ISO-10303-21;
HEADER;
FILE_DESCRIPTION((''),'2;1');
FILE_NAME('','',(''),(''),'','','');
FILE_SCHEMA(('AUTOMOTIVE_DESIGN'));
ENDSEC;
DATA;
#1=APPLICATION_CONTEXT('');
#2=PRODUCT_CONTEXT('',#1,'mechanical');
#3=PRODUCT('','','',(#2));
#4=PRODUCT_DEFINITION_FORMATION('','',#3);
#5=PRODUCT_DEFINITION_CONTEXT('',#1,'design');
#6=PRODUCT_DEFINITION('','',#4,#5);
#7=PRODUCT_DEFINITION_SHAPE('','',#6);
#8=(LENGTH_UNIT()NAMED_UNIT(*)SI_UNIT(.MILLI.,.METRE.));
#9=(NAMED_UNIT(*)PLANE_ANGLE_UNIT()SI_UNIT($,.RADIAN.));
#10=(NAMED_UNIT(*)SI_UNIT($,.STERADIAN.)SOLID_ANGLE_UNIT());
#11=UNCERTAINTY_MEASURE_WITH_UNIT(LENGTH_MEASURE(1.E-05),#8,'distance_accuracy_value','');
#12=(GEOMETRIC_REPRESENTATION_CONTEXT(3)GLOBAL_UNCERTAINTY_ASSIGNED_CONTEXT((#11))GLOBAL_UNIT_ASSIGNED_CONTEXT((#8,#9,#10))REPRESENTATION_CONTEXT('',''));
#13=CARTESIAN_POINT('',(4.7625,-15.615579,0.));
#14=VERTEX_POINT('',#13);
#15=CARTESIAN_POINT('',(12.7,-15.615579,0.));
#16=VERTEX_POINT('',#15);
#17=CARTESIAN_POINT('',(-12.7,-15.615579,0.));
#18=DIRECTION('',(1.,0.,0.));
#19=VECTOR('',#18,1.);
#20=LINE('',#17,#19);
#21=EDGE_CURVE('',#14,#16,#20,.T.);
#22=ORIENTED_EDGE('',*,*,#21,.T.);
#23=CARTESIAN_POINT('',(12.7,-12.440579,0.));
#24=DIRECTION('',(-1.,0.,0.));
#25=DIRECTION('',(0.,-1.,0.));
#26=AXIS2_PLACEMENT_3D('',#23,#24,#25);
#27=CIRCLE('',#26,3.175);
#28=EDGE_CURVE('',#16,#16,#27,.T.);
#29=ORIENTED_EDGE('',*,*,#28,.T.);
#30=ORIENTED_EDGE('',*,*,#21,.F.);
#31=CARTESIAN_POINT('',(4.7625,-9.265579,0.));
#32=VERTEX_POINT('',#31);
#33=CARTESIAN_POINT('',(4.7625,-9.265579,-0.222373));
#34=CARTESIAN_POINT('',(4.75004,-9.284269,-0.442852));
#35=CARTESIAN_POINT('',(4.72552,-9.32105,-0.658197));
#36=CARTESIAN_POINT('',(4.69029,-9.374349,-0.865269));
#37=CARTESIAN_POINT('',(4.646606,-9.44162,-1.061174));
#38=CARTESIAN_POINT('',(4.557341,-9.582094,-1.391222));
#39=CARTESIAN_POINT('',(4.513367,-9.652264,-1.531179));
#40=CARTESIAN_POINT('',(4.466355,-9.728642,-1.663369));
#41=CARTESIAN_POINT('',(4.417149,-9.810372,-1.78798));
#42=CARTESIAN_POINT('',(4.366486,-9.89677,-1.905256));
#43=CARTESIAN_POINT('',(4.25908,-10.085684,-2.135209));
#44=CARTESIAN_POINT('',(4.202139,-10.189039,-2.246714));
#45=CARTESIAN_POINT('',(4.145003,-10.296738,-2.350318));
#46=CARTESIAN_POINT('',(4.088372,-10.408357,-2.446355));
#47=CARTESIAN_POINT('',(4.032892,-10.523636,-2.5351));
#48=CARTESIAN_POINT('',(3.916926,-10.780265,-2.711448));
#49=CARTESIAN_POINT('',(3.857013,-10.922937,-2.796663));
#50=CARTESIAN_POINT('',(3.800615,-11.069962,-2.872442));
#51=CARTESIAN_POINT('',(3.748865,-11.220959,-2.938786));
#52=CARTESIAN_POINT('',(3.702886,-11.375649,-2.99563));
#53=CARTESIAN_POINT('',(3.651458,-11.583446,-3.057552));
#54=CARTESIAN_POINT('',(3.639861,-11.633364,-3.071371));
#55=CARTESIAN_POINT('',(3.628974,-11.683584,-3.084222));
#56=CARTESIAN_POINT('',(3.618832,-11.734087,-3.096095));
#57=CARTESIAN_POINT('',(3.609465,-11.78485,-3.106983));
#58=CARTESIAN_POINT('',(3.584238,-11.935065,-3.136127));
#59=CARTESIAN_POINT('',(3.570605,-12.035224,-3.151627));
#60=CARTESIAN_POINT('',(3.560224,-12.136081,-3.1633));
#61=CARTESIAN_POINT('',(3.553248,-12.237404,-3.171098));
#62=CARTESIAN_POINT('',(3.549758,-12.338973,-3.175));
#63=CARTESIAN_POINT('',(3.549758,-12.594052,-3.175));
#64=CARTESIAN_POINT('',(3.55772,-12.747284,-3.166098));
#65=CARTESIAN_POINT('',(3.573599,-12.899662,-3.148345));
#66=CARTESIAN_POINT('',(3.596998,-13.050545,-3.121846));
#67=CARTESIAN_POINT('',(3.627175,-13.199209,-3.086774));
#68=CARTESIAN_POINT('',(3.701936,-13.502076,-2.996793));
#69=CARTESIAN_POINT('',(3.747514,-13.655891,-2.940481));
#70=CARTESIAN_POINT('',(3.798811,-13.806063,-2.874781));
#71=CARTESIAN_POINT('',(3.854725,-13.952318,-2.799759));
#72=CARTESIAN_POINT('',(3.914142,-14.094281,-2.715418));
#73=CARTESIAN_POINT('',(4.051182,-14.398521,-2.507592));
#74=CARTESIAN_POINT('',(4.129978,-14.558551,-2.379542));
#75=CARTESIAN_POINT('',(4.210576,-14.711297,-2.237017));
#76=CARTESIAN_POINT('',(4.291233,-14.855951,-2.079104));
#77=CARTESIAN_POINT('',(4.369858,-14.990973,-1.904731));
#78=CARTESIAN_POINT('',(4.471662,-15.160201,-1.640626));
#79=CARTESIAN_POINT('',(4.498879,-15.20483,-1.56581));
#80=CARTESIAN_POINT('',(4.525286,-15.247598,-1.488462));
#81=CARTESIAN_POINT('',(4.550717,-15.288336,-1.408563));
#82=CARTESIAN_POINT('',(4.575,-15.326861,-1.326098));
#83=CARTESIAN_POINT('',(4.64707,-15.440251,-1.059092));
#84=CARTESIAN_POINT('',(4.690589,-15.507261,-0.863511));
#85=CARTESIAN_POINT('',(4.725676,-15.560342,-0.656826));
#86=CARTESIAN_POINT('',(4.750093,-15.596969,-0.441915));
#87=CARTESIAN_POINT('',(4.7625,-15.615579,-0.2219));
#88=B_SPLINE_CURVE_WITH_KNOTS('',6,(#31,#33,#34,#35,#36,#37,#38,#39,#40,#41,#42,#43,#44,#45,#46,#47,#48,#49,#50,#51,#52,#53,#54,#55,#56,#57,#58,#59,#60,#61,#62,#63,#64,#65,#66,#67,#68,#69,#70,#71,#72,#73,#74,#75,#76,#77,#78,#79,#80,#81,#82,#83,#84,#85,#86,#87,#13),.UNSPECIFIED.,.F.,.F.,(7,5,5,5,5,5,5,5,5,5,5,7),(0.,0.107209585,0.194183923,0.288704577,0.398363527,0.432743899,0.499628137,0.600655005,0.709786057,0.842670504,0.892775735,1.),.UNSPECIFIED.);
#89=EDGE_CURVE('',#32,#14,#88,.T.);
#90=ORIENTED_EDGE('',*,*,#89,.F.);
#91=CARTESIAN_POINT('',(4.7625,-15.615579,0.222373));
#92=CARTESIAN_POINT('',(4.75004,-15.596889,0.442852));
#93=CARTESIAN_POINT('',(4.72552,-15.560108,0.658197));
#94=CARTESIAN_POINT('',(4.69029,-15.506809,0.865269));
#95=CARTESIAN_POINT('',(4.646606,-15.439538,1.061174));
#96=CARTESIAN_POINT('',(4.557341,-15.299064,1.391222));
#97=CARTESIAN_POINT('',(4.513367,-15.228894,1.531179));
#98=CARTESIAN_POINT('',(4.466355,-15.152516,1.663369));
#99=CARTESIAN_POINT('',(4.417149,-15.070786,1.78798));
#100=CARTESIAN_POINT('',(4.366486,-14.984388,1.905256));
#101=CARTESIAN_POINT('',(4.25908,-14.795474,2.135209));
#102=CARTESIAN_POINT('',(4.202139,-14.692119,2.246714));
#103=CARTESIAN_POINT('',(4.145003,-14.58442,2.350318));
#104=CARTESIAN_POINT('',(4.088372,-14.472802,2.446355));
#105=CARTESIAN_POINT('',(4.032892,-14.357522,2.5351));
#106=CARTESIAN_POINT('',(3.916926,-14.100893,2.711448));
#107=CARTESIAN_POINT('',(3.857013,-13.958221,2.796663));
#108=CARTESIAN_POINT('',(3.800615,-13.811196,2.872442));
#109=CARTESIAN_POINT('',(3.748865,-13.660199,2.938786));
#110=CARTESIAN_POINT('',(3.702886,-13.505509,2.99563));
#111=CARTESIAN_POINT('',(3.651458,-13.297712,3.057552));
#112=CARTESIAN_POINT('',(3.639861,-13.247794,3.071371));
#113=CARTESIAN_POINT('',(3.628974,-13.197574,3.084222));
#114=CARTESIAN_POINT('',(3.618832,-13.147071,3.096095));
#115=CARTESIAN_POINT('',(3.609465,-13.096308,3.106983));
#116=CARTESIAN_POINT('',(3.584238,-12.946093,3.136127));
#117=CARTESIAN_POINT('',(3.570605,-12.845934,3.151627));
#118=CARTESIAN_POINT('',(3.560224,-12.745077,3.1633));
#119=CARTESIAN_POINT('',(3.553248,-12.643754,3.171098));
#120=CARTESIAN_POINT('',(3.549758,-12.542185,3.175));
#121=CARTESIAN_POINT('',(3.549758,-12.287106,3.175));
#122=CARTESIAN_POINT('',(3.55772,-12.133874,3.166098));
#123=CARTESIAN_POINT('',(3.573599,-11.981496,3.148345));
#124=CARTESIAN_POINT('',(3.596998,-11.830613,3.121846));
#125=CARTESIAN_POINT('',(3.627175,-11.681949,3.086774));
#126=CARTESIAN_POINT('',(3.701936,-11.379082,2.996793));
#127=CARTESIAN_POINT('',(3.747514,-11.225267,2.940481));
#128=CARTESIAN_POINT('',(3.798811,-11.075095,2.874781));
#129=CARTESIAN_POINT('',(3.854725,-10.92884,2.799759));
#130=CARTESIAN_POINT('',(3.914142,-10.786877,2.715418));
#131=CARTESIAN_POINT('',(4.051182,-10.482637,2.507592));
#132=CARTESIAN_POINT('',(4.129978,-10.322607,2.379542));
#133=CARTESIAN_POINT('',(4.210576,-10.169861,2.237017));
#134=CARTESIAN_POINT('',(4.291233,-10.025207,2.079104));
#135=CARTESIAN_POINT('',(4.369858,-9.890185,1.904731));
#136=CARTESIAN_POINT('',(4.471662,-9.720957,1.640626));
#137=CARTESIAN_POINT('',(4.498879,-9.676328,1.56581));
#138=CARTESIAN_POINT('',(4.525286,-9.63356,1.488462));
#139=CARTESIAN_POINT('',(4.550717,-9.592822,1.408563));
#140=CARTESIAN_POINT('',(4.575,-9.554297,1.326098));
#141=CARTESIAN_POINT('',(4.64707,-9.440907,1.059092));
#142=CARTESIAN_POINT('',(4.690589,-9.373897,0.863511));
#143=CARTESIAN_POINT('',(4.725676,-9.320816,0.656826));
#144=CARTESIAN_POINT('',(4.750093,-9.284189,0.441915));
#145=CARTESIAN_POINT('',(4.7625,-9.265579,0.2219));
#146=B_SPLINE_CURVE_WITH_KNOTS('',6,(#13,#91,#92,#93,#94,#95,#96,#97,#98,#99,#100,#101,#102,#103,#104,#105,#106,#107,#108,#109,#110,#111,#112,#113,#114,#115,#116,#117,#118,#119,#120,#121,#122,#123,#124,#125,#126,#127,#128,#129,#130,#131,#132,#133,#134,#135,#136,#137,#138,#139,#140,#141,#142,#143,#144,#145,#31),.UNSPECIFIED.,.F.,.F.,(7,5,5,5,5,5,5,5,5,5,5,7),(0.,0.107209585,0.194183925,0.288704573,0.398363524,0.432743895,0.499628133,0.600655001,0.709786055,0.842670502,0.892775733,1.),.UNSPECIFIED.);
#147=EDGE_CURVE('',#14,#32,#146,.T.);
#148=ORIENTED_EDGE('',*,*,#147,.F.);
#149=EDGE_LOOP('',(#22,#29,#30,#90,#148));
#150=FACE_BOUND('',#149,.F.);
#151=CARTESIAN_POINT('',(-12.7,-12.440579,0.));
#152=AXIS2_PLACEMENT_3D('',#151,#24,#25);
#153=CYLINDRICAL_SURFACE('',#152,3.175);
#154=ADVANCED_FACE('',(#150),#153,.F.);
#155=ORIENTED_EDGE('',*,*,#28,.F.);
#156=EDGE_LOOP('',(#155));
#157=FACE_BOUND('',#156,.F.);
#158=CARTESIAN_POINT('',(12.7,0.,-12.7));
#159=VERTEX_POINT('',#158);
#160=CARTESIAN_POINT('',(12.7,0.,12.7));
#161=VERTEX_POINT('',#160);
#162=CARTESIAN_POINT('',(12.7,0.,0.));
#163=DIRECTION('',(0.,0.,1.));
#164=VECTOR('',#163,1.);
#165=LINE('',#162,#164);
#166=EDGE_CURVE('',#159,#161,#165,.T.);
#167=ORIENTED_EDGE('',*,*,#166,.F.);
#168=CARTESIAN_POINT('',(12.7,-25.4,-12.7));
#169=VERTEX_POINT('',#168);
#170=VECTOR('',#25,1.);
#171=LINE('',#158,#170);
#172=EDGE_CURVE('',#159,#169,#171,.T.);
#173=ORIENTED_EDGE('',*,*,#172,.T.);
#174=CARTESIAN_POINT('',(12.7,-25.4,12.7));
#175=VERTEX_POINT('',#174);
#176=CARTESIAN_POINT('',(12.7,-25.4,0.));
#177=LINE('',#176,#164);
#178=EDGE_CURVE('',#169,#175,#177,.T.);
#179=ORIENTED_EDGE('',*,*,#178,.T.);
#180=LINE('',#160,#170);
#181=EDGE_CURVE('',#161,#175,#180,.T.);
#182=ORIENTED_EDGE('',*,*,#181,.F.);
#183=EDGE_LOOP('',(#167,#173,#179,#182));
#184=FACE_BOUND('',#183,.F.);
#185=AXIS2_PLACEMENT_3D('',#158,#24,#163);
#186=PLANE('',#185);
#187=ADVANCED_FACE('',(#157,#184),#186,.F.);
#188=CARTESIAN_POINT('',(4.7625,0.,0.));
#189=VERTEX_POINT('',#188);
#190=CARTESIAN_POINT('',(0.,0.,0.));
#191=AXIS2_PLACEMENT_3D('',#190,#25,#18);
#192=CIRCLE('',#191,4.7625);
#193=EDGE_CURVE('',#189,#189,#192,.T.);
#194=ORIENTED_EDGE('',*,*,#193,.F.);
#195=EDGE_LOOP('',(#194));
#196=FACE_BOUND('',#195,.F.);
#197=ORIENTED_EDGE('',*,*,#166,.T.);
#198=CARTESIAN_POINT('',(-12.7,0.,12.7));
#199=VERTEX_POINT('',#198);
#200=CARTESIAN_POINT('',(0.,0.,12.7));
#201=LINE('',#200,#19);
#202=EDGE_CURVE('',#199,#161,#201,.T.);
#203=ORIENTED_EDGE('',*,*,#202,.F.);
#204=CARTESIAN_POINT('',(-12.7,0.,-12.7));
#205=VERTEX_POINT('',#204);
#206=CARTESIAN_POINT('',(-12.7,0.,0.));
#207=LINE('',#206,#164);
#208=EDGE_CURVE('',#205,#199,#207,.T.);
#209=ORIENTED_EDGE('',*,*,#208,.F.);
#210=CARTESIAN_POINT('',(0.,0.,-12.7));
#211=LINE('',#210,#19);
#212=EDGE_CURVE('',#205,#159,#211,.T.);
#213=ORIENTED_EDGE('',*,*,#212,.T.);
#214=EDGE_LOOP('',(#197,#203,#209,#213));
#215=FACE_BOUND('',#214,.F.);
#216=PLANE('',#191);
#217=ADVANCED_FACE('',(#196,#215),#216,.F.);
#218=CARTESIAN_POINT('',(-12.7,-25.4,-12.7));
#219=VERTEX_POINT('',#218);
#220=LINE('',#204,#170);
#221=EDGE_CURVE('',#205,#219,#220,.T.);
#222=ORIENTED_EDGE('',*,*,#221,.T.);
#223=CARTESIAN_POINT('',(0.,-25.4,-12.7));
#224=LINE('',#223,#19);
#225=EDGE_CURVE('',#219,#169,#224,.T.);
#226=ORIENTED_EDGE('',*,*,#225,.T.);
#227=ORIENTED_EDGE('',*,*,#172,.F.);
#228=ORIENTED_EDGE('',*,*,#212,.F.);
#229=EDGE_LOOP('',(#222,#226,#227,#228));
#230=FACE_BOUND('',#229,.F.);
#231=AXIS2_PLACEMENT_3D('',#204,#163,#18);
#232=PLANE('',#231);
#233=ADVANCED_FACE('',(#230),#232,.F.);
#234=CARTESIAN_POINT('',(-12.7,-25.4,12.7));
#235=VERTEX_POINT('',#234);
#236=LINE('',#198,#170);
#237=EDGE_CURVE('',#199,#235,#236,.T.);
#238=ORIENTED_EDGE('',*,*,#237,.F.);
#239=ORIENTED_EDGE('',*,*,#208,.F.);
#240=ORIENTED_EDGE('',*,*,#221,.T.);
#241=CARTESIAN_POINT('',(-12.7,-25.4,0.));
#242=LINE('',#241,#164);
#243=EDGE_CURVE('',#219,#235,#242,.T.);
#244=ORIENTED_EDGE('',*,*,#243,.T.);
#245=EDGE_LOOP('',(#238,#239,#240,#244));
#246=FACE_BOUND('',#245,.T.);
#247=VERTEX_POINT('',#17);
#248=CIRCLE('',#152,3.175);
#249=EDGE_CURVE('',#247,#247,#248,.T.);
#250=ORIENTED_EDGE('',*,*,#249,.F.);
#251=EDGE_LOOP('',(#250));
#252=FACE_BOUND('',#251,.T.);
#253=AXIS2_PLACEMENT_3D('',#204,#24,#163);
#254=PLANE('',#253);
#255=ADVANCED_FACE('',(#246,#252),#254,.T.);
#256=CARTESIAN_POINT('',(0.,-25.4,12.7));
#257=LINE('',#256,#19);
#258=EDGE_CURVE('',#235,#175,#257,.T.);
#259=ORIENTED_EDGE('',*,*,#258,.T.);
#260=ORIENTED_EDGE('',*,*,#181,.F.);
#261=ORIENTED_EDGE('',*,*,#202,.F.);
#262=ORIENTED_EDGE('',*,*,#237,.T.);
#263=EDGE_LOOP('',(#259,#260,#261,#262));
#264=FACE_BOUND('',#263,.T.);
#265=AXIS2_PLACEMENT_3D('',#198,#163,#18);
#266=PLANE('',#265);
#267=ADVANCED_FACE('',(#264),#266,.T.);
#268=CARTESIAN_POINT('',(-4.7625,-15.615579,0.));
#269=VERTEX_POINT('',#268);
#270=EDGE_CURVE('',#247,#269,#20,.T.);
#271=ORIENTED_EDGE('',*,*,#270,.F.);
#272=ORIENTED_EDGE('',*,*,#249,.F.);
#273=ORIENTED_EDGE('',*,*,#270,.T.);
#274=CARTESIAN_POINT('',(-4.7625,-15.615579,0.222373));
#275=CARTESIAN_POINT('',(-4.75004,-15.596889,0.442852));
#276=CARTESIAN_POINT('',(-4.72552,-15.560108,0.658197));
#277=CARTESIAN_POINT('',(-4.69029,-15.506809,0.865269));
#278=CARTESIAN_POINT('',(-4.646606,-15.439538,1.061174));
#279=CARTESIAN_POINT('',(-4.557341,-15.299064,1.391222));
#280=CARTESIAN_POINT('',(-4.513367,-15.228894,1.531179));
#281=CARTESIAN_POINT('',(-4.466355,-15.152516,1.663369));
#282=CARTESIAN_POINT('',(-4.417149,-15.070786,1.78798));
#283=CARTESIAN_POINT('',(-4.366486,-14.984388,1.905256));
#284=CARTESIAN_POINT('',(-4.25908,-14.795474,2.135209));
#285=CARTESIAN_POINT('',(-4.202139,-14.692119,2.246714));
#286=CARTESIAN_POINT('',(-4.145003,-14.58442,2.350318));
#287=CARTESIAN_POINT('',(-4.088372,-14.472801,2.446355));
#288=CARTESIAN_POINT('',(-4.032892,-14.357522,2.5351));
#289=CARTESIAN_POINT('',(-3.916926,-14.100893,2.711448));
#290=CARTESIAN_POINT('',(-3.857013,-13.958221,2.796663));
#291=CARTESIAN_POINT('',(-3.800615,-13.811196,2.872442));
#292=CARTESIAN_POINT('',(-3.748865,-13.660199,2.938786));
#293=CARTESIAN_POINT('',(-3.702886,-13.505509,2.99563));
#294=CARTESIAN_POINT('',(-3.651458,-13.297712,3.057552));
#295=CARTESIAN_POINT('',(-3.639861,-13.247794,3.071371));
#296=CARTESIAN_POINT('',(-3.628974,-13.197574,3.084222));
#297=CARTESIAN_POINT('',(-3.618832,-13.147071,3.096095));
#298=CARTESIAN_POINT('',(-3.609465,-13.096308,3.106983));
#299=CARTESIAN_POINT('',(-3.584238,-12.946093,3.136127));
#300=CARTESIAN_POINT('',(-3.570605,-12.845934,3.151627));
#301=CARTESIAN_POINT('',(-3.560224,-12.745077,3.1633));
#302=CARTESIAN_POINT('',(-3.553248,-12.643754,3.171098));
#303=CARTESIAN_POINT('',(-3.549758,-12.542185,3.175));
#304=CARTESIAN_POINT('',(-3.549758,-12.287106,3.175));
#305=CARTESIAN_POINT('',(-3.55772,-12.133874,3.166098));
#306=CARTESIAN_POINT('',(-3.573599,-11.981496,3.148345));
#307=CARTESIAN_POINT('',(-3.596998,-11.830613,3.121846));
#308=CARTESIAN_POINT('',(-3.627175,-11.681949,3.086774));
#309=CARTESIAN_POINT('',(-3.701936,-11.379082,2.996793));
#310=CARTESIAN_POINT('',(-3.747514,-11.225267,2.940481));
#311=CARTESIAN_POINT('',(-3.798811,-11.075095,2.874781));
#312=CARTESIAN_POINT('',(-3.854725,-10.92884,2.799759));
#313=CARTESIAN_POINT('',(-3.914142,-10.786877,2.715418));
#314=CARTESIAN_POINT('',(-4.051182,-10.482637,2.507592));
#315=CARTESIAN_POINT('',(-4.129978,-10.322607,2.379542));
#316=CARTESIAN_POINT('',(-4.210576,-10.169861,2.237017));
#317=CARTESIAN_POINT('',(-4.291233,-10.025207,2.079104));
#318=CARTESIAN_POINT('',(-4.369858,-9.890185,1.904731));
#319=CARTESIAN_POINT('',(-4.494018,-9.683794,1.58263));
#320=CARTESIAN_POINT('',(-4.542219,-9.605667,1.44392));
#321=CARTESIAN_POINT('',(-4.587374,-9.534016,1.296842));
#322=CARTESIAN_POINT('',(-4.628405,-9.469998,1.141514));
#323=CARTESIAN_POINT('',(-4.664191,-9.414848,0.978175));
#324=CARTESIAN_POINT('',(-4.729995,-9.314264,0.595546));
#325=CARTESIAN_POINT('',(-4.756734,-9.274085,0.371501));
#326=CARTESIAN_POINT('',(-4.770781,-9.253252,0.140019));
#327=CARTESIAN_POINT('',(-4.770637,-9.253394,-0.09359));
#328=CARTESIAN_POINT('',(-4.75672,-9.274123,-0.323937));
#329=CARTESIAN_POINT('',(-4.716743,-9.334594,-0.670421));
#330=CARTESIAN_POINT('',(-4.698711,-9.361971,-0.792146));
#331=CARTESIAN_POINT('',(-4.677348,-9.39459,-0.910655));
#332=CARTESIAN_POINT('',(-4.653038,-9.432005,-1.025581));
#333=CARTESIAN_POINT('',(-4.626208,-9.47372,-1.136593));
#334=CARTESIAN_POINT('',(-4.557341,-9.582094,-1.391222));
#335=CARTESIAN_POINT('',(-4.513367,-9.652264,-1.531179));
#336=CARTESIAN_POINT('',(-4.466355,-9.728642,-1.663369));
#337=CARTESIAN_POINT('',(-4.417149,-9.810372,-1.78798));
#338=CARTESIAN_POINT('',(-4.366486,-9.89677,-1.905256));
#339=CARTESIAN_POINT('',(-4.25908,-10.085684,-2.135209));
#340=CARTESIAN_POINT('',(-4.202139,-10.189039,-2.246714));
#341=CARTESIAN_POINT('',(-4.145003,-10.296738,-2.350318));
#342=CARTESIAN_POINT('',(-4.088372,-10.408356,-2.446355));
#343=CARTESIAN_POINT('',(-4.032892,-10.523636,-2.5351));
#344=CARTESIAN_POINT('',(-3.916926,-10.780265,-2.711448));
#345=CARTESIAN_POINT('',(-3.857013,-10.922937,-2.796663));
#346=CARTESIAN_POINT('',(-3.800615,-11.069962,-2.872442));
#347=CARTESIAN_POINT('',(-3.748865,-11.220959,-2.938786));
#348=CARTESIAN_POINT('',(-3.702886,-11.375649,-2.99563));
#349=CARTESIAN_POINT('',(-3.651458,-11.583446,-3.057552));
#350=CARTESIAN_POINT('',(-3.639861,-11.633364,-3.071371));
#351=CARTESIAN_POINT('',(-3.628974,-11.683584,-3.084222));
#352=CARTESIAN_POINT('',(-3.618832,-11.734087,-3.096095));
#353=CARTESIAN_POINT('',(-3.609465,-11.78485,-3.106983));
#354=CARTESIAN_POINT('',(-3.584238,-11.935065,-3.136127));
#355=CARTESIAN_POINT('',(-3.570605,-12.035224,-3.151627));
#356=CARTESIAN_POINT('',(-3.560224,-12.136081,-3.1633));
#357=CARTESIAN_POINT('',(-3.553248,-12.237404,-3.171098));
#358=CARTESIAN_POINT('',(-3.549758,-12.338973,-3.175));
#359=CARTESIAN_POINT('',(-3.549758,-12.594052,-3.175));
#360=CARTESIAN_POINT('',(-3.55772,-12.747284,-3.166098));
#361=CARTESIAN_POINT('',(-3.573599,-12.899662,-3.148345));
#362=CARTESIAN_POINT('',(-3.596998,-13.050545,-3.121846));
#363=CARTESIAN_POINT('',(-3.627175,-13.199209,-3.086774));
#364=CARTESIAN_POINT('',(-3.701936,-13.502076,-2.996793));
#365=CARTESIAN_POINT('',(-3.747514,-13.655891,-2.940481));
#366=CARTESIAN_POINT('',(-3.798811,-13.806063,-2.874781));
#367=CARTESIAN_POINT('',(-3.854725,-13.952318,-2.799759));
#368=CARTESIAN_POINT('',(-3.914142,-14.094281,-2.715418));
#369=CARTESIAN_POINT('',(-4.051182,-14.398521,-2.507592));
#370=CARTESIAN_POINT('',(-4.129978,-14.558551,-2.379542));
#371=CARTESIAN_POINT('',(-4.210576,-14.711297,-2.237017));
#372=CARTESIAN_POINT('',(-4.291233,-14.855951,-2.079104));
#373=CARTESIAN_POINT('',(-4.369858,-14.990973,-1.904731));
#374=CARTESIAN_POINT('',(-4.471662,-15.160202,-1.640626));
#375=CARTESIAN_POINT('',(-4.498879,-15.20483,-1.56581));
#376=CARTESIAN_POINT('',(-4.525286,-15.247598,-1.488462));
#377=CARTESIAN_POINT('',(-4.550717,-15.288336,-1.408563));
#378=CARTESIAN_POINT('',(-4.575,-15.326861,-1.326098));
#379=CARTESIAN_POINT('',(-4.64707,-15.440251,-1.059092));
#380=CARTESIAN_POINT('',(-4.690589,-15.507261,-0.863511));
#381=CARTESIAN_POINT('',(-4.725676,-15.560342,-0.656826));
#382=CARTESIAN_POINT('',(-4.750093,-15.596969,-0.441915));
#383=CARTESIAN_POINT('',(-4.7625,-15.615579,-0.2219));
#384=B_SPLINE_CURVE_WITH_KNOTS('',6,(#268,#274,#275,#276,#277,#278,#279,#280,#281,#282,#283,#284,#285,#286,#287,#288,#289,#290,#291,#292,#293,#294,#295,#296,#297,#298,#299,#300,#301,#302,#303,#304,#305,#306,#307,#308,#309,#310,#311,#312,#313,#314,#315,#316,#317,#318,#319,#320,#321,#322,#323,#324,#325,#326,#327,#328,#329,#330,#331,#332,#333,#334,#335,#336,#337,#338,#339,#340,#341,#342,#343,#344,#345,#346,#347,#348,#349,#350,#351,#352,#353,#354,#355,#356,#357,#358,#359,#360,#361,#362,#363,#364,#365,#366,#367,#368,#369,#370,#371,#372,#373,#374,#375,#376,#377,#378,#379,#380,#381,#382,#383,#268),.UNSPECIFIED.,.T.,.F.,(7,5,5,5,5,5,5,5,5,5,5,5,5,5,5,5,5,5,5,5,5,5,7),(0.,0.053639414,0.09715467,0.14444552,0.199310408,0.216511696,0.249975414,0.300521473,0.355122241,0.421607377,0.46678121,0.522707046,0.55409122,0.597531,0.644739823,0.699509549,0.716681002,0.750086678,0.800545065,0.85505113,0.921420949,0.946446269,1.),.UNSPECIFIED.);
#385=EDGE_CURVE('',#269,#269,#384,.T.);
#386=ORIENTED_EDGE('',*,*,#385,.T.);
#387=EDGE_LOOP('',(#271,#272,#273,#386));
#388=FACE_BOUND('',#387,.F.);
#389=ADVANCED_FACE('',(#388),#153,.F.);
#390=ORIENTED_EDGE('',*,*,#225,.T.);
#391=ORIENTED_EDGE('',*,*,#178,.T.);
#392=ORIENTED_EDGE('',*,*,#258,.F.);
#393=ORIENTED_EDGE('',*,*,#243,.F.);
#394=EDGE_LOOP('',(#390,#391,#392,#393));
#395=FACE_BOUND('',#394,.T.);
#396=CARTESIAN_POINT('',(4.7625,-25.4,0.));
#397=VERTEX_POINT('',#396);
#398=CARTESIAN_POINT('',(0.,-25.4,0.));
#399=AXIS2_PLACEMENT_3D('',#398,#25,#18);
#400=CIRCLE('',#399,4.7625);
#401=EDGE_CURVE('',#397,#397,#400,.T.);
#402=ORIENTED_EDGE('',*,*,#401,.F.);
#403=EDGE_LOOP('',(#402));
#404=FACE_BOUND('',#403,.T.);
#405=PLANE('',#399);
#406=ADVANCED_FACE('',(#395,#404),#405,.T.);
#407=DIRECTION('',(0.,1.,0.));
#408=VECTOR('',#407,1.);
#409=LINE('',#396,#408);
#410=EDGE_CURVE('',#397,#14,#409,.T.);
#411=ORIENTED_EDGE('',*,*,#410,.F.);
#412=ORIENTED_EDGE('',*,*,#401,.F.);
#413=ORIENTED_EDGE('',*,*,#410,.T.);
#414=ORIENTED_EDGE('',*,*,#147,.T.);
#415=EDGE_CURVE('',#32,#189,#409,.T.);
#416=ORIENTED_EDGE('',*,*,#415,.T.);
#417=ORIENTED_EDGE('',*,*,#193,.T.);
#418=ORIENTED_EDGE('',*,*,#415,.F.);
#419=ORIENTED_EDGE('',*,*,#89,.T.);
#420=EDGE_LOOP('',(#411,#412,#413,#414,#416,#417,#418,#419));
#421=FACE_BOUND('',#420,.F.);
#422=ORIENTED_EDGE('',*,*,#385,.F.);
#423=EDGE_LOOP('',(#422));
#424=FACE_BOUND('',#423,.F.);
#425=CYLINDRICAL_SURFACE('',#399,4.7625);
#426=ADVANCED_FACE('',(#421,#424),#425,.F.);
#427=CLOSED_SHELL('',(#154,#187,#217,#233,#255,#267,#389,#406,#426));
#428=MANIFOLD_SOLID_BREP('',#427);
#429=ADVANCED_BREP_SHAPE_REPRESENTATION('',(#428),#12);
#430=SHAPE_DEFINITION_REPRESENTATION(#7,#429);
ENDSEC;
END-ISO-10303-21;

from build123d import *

# Parameters (mm, degrees)
F0_W     = 25.4
F0_H     = 25.4
F1_DEPTH = 25.4
F2_R     = 4.7625
F3_DEPTH = 64.516
F4_R     = 3.175
F5_DEPTH = 53.594


with BuildPart() as f1:
    # F0 (on Front) → F1 (new body)
    with BuildSketch(Plane.XZ):
        Rectangle(F0_W, F0_H)
    extrude(amount=F1_DEPTH)

    # F2 (on face) → F3 (cut)
    with BuildSketch(Plane.XZ.offset(25.4)):
        Circle(F2_R)
    extrude(amount=-F3_DEPTH, mode=Mode.SUBTRACT)

    # F4 (on face) → F5 (cut)
    with BuildSketch(Plane(origin=(-12.7, 0, 0), x_dir=(0, -1, 0), z_dir=(-1, 0, 0))):
        with Locations((12.440579, 0)):
            Circle(F4_R)
    extrude(amount=-F5_DEPTH, mode=Mode.SUBTRACT)


solid = f1.part
